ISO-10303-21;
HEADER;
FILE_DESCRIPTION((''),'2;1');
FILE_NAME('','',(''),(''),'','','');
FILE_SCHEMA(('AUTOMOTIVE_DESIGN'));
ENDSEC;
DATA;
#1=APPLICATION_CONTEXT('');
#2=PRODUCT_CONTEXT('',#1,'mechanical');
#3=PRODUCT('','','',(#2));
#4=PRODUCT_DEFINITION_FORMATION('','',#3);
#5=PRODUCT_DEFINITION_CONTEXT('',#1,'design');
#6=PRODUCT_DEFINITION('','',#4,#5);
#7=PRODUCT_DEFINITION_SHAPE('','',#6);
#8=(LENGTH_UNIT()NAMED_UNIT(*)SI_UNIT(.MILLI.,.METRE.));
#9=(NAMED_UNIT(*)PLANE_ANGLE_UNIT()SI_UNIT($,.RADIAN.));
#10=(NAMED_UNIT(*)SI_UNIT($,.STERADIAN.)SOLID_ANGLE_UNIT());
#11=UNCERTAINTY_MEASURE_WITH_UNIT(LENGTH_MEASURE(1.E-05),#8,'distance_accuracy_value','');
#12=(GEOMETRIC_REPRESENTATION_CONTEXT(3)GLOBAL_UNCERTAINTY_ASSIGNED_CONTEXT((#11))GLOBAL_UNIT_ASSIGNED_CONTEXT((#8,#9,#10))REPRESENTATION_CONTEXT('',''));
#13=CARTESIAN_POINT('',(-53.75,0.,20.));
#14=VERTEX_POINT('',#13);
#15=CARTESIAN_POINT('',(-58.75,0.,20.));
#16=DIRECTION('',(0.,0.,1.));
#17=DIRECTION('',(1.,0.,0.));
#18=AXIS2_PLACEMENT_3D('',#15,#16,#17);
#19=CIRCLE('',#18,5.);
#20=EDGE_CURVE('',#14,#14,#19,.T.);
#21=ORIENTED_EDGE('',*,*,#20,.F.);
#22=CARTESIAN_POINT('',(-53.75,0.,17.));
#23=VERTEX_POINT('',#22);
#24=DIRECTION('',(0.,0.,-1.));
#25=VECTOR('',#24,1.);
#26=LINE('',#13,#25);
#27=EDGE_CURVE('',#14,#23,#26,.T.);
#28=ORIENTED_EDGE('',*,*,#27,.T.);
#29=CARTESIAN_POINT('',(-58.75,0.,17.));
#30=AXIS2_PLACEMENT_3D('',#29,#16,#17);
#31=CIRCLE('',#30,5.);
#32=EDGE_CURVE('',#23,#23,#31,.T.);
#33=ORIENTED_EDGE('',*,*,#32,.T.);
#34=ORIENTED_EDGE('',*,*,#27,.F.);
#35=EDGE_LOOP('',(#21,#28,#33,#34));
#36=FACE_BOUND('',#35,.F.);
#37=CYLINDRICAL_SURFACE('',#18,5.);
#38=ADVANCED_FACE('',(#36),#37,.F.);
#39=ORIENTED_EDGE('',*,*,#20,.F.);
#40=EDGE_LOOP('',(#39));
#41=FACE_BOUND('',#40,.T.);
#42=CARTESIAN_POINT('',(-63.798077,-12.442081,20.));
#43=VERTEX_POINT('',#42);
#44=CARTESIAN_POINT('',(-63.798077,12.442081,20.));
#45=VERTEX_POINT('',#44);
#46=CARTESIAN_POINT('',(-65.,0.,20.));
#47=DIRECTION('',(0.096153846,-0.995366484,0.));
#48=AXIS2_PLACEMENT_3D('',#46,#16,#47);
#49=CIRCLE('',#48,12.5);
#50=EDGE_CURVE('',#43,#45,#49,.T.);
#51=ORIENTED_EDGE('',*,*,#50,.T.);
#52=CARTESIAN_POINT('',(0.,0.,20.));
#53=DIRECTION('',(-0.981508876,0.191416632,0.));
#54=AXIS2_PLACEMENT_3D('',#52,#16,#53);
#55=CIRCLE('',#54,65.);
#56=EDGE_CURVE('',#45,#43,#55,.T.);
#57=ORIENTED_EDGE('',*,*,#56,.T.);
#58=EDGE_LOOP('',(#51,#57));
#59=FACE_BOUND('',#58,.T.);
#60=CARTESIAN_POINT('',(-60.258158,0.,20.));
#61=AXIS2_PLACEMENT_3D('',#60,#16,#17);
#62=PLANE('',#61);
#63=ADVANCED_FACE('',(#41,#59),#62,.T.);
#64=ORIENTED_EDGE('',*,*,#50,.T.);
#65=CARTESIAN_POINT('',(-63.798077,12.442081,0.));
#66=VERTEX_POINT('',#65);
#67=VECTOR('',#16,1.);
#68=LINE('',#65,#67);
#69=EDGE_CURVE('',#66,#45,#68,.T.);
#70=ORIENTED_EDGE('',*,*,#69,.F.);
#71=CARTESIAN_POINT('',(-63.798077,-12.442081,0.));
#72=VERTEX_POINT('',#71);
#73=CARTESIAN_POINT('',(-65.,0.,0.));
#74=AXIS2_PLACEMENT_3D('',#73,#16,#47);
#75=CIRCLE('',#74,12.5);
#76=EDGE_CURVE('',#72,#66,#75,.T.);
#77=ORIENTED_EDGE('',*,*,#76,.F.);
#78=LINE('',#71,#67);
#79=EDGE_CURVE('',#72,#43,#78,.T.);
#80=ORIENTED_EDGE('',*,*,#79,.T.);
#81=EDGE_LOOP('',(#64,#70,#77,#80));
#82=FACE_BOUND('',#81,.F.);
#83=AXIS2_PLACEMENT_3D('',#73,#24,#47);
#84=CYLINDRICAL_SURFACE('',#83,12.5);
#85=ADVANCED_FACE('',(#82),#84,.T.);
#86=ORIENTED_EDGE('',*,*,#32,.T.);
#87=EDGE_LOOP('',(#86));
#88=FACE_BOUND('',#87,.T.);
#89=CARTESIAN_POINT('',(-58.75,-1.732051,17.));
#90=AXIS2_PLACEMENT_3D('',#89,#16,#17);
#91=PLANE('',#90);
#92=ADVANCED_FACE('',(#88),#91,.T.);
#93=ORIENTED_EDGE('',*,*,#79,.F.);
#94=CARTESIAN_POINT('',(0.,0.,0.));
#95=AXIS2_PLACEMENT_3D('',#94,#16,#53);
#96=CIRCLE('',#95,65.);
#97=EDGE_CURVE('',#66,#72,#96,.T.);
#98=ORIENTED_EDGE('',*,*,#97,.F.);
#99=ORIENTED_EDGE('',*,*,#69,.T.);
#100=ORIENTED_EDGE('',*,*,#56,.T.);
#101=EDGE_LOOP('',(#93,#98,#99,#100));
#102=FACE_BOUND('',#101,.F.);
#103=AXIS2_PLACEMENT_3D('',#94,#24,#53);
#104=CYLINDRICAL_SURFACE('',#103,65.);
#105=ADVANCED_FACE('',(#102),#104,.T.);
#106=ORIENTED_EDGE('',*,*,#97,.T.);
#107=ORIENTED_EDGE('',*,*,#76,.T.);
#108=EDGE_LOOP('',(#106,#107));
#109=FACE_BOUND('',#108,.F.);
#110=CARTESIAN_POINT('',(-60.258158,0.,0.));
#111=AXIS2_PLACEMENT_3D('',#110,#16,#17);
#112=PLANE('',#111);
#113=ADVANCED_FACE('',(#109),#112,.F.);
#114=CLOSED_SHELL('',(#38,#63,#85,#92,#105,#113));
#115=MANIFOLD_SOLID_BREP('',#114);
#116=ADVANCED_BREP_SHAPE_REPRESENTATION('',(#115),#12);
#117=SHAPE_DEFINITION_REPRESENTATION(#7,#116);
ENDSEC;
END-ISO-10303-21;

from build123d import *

# Parameters (mm, degrees)
F1_DEPTH = 20
F3_DEPTH = 3


with BuildPart() as f1:
    # F0 (on Top) → F1 (new body)
    with BuildSketch(Plane.XY):
        with BuildLine():
            ThreePointArc((-63.7980769231, -12.4420810525), (-52.5, 0), (-63.7980769231, 12.4420810525))
            ThreePointArc((-63.7980769231, 12.4420810525), (-65, 0), (-63.7980769231, -12.4420810525))
        make_face()
    extrude(amount=F1_DEPTH)

    # F2 (on face) → F3 (cut)
    with BuildSketch(Plane.XY.offset(20)):
        with BuildLine():
            ThreePointArc((-63.75, 0), (-58.75, -5), (-53.75, 0))
            Line((-53.75, 0), (-63.75, 0))
        make_face()
        with BuildLine():
            Line((-63.75, 0), (-53.75, 0))
            ThreePointArc((-53.75, 0), (-58.75, 5), (-63.75, 0))
        make_face()
    extrude(amount=-F3_DEPTH, mode=Mode.SUBTRACT)


solid = f1.part
